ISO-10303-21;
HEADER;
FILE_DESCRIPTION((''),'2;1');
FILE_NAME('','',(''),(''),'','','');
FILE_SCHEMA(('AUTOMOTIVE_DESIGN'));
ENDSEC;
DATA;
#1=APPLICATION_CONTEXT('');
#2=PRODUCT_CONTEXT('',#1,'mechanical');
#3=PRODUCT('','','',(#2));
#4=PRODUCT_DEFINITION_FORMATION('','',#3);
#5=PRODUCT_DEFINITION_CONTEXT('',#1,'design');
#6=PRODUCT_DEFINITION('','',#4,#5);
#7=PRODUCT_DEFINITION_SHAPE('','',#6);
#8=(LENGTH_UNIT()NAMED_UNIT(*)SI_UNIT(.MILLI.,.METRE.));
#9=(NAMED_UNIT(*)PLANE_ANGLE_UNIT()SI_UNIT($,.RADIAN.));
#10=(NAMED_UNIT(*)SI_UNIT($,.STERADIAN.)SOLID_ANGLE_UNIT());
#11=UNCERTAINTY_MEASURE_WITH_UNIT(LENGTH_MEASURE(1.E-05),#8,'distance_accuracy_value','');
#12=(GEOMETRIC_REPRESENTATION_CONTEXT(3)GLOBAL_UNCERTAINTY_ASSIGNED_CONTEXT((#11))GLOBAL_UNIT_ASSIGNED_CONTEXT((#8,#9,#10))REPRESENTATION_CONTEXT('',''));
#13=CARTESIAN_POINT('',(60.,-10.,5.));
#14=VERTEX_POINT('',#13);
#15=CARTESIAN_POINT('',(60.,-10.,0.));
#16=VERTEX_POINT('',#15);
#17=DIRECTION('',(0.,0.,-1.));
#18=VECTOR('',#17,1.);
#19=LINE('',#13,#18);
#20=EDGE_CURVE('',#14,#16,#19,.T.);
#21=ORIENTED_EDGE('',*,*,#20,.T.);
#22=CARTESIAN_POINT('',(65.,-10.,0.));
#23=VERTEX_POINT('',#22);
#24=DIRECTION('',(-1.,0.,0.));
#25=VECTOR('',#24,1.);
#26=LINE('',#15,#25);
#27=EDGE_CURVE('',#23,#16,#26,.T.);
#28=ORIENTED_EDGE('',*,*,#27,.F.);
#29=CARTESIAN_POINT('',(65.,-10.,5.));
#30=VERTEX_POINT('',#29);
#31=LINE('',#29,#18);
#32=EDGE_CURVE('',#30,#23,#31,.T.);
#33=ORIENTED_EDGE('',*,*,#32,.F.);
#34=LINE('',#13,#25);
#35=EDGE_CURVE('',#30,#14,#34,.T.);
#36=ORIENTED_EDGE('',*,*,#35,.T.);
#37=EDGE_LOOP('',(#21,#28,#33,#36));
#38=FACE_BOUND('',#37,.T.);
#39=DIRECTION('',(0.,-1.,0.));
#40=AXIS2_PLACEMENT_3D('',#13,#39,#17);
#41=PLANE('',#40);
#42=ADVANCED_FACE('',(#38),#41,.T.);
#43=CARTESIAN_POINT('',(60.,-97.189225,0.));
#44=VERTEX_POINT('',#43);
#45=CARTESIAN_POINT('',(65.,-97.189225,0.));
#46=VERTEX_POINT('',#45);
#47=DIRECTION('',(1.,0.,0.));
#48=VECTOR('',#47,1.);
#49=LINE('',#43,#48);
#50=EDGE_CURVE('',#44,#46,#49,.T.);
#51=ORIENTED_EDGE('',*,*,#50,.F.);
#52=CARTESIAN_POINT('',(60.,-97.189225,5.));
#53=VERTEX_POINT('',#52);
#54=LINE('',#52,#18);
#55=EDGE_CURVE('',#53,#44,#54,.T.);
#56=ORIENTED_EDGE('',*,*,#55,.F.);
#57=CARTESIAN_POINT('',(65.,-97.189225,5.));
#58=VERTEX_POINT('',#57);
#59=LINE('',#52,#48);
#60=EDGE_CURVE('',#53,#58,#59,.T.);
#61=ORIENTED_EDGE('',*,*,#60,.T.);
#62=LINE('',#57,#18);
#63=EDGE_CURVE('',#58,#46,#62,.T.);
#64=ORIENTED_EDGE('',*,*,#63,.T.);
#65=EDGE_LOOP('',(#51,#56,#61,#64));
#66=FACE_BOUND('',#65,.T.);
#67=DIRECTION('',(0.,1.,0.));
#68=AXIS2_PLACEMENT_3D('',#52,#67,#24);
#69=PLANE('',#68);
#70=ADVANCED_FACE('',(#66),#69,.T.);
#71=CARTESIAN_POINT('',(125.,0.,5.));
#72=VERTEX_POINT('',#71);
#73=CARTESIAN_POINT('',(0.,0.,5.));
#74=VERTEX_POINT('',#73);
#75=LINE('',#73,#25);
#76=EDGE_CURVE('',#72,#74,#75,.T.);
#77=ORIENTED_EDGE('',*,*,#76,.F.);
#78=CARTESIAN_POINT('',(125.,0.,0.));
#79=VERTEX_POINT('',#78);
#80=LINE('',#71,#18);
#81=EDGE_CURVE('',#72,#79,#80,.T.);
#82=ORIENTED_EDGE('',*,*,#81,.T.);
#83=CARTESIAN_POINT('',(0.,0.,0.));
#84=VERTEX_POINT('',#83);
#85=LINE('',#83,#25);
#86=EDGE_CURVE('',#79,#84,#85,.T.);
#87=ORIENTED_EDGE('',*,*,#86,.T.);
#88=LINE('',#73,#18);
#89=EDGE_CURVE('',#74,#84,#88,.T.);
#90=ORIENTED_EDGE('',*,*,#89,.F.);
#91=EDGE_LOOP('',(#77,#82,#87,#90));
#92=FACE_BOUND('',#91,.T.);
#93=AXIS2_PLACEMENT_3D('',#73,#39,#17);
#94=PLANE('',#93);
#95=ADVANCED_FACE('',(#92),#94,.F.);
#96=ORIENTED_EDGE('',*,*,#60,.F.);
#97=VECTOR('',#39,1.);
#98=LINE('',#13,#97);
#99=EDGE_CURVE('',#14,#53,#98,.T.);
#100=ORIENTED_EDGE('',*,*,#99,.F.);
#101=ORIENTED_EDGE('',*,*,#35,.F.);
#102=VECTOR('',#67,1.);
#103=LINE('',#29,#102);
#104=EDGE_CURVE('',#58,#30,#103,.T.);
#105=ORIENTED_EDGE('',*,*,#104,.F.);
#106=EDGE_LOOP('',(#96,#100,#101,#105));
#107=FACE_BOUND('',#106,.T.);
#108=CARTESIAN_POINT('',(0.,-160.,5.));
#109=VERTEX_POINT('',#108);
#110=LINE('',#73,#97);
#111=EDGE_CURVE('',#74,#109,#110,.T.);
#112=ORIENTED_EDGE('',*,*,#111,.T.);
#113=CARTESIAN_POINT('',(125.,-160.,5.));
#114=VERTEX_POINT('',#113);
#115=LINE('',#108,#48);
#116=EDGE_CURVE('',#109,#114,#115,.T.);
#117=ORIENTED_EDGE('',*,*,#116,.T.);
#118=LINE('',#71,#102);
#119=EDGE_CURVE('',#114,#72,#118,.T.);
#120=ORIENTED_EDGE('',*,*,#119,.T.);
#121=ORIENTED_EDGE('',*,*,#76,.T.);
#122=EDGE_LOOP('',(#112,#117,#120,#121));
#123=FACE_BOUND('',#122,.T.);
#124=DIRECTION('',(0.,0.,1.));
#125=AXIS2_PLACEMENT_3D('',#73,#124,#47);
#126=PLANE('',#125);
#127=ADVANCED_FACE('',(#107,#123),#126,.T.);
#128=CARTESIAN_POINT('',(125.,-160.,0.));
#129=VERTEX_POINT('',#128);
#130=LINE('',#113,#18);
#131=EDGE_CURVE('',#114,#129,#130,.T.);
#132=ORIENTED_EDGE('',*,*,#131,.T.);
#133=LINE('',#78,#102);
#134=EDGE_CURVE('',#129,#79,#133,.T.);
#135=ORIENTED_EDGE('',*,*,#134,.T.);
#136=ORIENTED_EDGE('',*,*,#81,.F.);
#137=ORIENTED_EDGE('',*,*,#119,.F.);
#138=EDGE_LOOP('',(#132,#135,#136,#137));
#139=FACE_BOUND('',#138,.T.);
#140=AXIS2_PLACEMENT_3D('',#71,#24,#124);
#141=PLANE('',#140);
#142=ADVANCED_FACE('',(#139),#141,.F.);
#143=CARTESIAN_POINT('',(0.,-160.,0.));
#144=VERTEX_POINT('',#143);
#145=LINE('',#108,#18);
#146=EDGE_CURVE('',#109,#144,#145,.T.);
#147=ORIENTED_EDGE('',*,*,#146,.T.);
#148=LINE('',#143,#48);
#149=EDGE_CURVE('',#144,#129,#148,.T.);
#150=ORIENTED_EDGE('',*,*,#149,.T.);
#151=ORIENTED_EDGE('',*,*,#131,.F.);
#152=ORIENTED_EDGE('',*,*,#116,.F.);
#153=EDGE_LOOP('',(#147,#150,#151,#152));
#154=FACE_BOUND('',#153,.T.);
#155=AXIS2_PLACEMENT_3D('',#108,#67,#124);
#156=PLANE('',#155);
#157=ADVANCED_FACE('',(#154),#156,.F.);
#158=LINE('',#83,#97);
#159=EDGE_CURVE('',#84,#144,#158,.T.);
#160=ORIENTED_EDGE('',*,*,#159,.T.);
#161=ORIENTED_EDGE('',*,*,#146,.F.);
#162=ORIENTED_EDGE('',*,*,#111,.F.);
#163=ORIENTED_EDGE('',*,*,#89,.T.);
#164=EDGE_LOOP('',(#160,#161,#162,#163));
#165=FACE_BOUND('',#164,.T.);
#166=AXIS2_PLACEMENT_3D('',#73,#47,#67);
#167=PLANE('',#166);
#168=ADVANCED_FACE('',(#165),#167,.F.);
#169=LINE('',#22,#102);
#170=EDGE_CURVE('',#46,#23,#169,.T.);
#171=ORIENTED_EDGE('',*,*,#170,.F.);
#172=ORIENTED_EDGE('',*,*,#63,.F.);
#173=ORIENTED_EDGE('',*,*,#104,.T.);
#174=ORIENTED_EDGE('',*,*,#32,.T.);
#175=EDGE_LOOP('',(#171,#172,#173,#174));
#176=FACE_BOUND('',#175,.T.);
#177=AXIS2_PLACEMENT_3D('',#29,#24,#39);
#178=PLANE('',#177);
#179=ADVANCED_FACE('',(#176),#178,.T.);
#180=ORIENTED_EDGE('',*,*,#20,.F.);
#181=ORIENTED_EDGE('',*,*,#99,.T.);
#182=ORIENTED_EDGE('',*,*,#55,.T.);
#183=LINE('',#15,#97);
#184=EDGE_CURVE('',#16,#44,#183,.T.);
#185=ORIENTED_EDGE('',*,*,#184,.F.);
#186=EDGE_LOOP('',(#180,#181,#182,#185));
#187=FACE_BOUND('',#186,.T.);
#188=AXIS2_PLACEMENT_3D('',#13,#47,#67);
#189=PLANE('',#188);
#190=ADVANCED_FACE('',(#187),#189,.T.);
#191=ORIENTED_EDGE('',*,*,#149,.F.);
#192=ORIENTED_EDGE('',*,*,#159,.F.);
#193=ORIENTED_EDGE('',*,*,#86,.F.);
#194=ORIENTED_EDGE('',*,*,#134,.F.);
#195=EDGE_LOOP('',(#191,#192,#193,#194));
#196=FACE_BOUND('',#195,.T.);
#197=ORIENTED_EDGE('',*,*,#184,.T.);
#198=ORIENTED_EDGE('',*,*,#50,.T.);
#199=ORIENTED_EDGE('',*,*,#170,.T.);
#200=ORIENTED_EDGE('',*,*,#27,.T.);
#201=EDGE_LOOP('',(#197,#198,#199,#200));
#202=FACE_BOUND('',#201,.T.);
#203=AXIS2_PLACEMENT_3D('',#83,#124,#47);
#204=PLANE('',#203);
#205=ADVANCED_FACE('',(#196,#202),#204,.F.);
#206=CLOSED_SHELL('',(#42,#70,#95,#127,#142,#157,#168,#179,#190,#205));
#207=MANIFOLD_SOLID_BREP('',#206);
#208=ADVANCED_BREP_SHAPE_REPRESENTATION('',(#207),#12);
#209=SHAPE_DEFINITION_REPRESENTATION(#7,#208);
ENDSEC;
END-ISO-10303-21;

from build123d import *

# Parameters (mm, degrees)
SKETCH1_W           = 125
SKETCH1_H           = 160
SKETCH1_W_2         = 5
SKETCH1_H_2         = 87.189225364
BOSS_EXTRUDE1_DEPTH = 5


with BuildPart() as part:
    # Sketch1 → Boss-Extrude1 (new body)
    with BuildSketch(Plane.XY):
        with Locations((62.5, -80)):
            Rectangle(SKETCH1_W, SKETCH1_H)
        with Locations((62.5, -53.594612682)):
            Rectangle(SKETCH1_W_2, SKETCH1_H_2, mode=Mode.SUBTRACT)
    extrude(amount=BOSS_EXTRUDE1_DEPTH)


solid = part.part
